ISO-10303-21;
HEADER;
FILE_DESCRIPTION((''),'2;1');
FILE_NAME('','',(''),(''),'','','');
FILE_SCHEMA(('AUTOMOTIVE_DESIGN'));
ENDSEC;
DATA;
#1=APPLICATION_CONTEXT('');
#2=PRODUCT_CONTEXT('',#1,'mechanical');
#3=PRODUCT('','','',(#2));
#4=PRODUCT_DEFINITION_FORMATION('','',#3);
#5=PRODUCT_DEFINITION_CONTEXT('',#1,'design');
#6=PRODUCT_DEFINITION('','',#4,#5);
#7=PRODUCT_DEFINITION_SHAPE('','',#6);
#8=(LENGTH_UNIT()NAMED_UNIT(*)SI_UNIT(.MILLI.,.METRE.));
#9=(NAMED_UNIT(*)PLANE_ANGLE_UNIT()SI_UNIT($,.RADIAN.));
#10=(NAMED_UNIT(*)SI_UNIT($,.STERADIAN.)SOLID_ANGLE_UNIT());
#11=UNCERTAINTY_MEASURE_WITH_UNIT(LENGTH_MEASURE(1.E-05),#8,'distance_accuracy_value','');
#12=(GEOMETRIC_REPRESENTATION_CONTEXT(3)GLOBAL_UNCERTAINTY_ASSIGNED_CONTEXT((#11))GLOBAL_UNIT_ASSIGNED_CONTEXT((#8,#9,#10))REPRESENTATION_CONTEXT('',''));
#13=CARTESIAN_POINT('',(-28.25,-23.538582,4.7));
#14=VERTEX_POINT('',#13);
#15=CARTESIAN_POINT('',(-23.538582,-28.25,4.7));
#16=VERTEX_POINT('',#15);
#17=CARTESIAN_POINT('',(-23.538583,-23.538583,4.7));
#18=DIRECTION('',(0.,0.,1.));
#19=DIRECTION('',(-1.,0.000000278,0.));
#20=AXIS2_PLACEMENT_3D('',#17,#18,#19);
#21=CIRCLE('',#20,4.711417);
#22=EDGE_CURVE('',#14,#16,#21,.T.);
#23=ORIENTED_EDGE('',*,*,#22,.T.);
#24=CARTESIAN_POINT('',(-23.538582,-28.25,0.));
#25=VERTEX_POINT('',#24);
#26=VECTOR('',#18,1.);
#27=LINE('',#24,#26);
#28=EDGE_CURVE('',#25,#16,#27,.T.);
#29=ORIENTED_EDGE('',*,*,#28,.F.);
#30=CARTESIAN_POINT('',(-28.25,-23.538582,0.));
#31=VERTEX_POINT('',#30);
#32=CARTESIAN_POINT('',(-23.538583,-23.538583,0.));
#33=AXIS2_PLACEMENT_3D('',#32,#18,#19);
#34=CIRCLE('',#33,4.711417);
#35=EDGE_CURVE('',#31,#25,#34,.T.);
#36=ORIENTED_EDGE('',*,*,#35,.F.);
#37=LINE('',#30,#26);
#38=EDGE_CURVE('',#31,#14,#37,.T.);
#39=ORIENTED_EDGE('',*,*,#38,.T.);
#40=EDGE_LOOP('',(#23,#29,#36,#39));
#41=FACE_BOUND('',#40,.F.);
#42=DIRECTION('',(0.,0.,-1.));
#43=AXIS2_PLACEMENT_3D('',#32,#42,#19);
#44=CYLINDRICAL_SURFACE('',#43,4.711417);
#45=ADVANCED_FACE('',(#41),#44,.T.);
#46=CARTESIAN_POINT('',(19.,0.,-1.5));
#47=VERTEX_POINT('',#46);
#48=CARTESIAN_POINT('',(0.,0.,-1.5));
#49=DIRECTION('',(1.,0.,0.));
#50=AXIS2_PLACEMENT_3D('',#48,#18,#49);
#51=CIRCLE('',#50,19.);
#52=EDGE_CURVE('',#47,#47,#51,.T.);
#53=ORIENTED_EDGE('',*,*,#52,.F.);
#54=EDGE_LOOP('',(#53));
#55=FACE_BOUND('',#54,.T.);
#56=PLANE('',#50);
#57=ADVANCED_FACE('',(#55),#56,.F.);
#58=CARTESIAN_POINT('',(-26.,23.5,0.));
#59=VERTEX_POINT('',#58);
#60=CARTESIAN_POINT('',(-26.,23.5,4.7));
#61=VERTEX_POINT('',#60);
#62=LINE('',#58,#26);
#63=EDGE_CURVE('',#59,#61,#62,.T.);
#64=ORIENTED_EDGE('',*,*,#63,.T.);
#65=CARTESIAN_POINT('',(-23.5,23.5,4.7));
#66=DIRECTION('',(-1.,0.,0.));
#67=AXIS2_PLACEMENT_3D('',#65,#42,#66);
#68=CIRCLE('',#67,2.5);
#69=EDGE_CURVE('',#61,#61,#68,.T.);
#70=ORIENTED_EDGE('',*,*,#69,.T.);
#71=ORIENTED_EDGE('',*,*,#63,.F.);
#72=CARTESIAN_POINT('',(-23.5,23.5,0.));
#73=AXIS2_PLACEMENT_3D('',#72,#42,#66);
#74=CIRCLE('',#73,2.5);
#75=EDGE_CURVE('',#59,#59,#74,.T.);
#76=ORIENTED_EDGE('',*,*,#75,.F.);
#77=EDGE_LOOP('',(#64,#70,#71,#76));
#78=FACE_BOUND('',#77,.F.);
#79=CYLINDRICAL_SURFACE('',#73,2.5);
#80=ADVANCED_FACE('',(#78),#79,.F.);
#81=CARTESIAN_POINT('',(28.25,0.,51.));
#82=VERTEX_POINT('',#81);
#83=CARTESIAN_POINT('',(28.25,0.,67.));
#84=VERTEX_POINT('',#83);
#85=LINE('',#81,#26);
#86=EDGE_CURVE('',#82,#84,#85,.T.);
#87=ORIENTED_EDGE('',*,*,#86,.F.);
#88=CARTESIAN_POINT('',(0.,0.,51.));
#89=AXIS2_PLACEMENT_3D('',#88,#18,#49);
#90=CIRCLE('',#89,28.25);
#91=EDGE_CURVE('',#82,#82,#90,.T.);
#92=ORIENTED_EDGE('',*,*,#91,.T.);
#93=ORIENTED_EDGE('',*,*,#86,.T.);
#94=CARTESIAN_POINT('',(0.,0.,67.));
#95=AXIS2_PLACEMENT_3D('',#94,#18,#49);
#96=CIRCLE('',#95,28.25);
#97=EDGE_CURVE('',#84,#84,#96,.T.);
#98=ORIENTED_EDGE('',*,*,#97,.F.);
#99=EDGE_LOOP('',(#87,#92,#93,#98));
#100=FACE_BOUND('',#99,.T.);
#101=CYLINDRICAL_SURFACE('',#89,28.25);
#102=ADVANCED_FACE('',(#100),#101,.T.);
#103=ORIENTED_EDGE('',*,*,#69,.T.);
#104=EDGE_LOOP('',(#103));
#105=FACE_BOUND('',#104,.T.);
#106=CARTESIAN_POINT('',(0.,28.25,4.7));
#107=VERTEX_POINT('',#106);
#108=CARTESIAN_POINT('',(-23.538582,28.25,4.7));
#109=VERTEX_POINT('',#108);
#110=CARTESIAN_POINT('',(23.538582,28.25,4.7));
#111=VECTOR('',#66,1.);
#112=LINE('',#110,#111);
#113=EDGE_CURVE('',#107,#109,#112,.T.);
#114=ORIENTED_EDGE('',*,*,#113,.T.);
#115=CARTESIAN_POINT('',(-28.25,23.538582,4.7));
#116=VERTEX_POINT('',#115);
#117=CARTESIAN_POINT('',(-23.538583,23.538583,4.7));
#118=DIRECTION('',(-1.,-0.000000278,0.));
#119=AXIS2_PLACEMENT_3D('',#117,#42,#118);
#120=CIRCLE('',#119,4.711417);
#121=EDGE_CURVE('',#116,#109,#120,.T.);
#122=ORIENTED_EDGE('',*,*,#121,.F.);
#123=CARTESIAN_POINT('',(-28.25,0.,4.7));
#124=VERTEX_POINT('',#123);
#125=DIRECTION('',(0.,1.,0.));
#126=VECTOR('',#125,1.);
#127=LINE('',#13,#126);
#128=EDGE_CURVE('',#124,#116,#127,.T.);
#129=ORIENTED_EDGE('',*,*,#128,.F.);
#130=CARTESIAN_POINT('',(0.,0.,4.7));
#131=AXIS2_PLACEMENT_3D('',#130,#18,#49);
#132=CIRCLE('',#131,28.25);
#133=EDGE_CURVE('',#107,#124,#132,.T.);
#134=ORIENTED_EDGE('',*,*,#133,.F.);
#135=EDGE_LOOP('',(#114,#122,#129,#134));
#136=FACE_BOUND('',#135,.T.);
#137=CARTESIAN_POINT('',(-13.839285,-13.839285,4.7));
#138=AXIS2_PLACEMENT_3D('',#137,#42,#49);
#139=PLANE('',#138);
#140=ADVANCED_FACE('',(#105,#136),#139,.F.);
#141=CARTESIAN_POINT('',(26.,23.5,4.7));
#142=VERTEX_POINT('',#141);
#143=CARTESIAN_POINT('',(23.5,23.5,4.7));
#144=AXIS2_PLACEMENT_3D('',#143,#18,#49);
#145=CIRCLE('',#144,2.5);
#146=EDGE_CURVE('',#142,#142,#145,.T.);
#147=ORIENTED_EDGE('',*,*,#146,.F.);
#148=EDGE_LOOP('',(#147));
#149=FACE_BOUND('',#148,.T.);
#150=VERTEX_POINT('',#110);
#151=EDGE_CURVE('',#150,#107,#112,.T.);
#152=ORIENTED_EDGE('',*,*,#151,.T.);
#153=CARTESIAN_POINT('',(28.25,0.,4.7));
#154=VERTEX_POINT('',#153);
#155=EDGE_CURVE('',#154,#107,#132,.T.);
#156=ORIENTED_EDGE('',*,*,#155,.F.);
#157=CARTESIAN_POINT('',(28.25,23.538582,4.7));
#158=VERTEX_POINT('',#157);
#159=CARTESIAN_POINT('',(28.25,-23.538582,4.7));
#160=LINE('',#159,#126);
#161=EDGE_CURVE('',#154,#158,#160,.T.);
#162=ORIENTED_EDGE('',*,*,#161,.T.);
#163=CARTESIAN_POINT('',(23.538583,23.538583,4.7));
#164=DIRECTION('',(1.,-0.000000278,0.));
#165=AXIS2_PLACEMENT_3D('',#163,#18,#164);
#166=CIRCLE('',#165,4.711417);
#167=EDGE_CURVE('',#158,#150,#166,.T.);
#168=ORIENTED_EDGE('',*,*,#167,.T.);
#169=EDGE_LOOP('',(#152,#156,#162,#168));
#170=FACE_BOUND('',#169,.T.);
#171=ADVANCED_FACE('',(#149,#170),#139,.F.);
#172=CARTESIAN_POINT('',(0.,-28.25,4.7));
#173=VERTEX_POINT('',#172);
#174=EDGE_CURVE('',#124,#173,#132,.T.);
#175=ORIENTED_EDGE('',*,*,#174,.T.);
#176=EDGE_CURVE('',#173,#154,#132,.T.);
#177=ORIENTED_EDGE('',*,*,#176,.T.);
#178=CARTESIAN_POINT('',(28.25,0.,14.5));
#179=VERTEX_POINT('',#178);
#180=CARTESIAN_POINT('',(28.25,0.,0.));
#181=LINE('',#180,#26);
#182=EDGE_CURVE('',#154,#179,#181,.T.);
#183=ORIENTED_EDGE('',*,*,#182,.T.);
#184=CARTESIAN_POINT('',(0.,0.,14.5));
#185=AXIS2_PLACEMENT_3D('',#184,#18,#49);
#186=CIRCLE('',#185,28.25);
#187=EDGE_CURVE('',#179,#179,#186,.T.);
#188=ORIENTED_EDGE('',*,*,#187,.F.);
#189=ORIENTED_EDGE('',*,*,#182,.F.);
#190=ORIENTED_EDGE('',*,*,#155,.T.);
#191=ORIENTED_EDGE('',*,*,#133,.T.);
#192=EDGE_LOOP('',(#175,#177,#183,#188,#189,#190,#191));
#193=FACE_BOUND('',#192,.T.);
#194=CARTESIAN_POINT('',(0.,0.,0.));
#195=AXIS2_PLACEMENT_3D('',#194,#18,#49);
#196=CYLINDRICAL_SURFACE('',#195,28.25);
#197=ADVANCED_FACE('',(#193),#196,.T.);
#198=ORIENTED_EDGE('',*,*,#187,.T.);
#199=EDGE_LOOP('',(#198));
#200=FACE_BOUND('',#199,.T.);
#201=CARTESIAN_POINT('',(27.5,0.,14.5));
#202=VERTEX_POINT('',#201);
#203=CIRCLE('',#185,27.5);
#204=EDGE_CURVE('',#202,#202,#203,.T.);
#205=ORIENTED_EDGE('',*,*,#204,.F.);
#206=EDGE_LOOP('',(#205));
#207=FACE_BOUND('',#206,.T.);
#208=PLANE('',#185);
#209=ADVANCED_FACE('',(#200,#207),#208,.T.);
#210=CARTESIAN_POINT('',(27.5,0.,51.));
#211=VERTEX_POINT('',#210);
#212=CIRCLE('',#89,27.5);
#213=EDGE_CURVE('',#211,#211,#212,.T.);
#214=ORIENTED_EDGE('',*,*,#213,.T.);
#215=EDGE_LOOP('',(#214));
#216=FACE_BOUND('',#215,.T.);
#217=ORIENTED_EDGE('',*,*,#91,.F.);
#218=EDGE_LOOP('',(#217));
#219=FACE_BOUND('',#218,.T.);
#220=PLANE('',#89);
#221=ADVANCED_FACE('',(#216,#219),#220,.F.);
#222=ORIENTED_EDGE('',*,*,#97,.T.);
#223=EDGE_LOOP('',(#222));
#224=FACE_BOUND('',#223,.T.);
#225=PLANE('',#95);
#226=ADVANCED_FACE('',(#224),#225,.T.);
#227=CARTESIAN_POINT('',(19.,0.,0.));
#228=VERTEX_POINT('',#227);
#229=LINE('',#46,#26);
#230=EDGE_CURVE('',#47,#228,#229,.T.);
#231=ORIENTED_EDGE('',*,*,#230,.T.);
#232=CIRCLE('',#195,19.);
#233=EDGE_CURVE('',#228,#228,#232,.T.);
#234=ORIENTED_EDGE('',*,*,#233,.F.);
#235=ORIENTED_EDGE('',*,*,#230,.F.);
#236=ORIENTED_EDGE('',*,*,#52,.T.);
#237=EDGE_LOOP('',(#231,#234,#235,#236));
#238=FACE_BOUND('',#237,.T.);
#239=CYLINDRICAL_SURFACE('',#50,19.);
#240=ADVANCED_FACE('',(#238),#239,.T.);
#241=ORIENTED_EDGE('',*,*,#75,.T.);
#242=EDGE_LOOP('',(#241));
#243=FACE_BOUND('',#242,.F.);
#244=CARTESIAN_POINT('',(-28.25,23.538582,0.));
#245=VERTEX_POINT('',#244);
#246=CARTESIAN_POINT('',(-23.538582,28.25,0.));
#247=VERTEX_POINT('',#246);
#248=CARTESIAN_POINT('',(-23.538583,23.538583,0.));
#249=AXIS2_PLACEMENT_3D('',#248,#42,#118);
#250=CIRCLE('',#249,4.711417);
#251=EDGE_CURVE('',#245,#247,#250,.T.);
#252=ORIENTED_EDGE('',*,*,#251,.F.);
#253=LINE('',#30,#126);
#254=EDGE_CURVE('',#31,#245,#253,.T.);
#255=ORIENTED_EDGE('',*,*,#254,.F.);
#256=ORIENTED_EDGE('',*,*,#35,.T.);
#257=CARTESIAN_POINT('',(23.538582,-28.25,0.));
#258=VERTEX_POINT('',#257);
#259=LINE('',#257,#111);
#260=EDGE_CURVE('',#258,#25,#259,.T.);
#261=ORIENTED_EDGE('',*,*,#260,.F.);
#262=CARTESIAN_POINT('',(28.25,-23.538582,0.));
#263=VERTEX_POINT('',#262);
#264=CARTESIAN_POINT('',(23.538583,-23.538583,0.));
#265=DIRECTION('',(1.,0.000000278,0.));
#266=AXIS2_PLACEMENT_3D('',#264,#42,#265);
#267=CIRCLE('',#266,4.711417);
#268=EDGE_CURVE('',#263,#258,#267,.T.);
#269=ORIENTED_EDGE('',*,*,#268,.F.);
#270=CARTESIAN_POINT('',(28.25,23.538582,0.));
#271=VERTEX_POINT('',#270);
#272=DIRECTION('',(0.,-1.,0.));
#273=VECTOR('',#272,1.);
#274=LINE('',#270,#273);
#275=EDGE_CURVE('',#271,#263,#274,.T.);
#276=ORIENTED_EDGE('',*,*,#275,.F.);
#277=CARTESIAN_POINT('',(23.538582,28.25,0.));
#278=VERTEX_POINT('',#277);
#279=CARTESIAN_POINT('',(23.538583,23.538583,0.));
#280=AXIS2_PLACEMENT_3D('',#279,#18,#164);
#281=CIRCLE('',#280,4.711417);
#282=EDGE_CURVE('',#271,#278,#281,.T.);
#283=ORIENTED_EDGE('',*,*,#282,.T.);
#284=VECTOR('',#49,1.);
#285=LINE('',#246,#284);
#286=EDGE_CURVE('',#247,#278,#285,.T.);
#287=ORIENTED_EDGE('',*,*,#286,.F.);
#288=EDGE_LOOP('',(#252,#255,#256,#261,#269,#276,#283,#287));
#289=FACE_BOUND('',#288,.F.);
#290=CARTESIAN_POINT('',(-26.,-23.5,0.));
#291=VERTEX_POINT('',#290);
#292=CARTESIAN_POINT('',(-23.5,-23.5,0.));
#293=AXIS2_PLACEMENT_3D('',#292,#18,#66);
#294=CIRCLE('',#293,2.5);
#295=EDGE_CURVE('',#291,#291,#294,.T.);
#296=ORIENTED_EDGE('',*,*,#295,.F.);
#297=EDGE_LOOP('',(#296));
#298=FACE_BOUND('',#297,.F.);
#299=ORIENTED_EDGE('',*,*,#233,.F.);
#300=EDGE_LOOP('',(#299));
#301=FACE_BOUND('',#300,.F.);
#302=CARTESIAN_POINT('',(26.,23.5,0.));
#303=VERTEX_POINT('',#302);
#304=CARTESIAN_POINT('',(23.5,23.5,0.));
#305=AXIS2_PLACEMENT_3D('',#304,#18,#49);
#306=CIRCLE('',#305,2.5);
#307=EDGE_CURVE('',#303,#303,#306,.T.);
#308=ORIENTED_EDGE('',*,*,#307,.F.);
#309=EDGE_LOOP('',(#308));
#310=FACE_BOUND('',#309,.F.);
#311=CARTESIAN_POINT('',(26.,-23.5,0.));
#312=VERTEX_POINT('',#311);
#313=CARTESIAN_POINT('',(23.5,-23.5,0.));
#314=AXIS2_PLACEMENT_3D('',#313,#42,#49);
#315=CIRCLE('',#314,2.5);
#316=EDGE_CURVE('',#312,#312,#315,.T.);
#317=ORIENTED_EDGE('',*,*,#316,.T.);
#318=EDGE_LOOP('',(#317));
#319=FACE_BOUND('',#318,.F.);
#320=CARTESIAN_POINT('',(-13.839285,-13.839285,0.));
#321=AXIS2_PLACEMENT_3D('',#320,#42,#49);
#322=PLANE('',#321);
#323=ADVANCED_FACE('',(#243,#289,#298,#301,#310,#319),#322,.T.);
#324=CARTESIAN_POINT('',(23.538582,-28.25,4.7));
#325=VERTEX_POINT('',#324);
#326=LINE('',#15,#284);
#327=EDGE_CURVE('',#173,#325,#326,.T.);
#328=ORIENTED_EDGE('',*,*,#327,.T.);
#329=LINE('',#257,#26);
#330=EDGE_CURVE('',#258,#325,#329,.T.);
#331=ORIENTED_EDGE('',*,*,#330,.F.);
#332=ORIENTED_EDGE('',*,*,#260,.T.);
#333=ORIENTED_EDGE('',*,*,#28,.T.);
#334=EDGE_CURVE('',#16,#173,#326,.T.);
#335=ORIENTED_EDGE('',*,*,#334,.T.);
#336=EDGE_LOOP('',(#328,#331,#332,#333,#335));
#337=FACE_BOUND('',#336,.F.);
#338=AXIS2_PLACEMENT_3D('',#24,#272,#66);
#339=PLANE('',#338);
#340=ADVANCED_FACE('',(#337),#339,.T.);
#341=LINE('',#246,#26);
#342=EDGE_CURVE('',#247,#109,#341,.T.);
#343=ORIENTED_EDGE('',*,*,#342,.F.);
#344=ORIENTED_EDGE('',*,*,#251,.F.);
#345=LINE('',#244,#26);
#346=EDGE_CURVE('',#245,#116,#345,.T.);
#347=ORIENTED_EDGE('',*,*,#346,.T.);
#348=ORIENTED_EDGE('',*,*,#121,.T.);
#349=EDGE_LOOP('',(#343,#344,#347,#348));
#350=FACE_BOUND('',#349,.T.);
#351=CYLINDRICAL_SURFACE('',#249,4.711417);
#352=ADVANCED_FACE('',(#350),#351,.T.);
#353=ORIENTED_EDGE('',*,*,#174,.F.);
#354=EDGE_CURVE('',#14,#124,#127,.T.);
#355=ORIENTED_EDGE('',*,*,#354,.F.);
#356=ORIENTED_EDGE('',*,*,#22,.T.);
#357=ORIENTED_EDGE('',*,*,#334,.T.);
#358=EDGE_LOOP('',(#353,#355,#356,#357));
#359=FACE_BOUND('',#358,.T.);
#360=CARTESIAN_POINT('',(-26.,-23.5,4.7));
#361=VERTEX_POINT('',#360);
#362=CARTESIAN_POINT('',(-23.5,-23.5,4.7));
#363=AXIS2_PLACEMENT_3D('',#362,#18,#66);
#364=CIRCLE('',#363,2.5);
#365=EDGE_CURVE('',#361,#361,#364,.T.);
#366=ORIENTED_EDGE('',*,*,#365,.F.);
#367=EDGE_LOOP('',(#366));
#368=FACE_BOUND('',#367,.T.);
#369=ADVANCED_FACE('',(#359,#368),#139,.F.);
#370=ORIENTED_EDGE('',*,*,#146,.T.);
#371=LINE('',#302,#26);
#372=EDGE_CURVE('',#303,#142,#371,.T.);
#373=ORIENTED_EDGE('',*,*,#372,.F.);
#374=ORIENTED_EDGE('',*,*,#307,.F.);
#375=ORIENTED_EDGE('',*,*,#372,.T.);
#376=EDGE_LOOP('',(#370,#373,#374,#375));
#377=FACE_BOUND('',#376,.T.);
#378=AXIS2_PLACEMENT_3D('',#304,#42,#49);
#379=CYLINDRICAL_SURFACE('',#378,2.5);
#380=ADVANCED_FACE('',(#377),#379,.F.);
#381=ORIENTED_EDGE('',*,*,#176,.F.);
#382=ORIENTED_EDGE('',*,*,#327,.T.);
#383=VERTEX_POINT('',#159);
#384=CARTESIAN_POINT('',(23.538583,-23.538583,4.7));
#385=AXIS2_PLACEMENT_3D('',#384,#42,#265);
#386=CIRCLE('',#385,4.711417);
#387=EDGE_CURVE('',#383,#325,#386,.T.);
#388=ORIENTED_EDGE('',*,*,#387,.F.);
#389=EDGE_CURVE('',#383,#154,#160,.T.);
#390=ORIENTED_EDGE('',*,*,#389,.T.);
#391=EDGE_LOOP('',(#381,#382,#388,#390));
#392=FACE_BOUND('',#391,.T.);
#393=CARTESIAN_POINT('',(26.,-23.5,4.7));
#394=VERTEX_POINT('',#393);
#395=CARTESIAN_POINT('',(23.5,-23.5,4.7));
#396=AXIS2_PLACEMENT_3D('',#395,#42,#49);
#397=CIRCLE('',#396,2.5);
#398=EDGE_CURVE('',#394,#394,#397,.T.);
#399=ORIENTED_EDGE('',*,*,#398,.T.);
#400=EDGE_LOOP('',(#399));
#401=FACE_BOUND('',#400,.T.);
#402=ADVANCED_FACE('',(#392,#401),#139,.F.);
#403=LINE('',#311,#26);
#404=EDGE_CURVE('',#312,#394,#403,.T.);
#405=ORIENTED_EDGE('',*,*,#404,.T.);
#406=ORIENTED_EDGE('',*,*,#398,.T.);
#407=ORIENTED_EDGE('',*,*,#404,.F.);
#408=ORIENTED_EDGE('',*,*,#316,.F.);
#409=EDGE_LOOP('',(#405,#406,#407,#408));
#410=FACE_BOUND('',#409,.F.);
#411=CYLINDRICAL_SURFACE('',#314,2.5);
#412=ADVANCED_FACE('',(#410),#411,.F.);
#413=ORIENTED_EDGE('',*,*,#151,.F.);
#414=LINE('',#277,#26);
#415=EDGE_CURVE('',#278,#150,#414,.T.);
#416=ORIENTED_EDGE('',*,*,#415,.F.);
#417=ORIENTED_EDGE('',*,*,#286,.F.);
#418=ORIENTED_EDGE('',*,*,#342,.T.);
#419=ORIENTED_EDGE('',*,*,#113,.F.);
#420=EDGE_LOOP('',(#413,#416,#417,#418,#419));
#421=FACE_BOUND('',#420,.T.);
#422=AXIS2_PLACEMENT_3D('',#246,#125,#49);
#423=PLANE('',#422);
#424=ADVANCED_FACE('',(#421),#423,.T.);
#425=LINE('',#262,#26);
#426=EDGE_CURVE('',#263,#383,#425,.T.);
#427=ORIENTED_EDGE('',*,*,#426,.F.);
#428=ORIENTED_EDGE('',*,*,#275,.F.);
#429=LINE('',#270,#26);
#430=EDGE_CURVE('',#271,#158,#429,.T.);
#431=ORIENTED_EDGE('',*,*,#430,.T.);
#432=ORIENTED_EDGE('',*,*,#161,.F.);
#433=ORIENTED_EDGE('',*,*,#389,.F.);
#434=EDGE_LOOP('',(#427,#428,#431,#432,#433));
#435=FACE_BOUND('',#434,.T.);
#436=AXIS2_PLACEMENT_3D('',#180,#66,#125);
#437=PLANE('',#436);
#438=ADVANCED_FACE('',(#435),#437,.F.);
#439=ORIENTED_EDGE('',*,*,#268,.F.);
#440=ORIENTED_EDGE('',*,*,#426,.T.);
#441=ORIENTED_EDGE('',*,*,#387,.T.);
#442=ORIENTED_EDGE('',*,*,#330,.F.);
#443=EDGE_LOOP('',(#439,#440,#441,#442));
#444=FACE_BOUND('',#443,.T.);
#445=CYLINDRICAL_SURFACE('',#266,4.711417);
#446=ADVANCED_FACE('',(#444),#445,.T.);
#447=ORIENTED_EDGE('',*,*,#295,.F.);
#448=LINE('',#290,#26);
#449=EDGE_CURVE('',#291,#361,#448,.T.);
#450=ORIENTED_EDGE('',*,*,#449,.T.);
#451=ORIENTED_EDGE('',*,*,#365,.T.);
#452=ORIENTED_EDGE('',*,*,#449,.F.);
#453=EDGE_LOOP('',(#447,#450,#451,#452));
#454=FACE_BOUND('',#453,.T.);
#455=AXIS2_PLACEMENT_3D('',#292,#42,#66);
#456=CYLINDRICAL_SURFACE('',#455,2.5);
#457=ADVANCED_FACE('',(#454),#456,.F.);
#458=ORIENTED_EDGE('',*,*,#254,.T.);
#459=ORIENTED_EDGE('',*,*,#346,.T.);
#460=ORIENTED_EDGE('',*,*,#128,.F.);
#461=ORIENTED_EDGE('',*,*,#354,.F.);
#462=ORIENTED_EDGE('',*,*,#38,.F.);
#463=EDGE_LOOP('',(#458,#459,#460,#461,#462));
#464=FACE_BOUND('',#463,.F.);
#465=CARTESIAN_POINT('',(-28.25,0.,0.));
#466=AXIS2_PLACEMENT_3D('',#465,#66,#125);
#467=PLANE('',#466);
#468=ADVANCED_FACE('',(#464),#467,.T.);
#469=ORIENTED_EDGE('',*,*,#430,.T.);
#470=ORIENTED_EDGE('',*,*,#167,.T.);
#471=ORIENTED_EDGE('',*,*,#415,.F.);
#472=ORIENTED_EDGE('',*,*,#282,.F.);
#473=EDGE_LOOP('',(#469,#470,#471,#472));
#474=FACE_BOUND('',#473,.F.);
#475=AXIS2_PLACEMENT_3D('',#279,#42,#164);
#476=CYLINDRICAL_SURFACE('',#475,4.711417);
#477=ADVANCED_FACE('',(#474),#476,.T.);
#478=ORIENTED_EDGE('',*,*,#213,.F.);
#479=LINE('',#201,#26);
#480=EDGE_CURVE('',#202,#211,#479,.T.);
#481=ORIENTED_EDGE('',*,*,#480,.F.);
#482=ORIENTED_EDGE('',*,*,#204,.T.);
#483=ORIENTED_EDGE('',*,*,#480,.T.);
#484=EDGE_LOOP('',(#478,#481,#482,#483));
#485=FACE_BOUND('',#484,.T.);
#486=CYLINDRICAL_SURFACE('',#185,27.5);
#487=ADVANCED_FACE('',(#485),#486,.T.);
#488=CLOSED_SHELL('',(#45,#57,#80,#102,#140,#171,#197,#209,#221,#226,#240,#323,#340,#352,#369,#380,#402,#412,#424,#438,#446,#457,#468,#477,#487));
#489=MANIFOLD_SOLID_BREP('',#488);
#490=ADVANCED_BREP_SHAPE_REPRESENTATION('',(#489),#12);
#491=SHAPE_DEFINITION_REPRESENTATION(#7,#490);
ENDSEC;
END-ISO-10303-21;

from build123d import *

# Parameters (mm, degrees)
SKETCH_R             = 2.5
PAD_DEPTH            = 4.7
SKETCH_MIRRORED_2_R  = 2.5
PAD_MIRRORED_2_DEPTH = 4.7


with BuildPart() as part:
    # Sketch → Pad (new body)
    with BuildSketch(Plane.XY):
        with BuildLine():
            Line((0, 0), (28.25, 0))
            Line((28.25, 0), (28.25, 23.538582))
            ThreePointArc((28.25, 23.538582), (26.870058, 26.870058), (23.538582, 28.25))
            Line((23.538582, 28.25), (0, 28.25))
            Line((0, 28.25), (0, 0))
        make_face()
        with Locations((23.5, 23.5)):
            Circle(SKETCH_R, mode=Mode.SUBTRACT)
    pad = extrude(amount=PAD_DEPTH)

    # Sketch Mirrored 2 → Pad Mirrored 2 (add)
    with BuildSketch(Plane(origin=(0, 0, 0), x_dir=(-1, 0, 0), z_dir=(0, 0, -1))):
        with BuildLine():
            Line((0, 0), (28.25, 0))
            Line((28.25, 0), (28.25, 23.538582))
            ThreePointArc((28.25, 23.538582), (26.870058, 26.870058), (23.538582, 28.25))
            Line((23.538582, 28.25), (0, 28.25))
            Line((0, 28.25), (0, 0))
        make_face()
        with Locations((23.5, 23.5)):
            Circle(SKETCH_MIRRORED_2_R, mode=Mode.SUBTRACT)
    pad_mirrored_2 = extrude(amount=-PAD_MIRRORED_2_DEPTH)

    # Mirrored001: Pad, Pad Mirrored 2 across Sketch H_Axis
    add(pad.mirror(Plane.ZX))
    add(pad_mirrored_2.mirror(Plane.ZX))

    # Sketch001 → Revolution (revolve)
    with BuildSketch(Plane.XZ):
        Polygon((19, 0), (28.25, 0), (28.25, 14.5), (27.5, 14.5), (27.5, 51), (28.25, 51), (28.25, 67), (0, 67), (0, -1.5), (19, -1.5), align=None)
    revolve(axis=Axis((0, 0, 0), (0, 0, 1)))


solid = part.part
